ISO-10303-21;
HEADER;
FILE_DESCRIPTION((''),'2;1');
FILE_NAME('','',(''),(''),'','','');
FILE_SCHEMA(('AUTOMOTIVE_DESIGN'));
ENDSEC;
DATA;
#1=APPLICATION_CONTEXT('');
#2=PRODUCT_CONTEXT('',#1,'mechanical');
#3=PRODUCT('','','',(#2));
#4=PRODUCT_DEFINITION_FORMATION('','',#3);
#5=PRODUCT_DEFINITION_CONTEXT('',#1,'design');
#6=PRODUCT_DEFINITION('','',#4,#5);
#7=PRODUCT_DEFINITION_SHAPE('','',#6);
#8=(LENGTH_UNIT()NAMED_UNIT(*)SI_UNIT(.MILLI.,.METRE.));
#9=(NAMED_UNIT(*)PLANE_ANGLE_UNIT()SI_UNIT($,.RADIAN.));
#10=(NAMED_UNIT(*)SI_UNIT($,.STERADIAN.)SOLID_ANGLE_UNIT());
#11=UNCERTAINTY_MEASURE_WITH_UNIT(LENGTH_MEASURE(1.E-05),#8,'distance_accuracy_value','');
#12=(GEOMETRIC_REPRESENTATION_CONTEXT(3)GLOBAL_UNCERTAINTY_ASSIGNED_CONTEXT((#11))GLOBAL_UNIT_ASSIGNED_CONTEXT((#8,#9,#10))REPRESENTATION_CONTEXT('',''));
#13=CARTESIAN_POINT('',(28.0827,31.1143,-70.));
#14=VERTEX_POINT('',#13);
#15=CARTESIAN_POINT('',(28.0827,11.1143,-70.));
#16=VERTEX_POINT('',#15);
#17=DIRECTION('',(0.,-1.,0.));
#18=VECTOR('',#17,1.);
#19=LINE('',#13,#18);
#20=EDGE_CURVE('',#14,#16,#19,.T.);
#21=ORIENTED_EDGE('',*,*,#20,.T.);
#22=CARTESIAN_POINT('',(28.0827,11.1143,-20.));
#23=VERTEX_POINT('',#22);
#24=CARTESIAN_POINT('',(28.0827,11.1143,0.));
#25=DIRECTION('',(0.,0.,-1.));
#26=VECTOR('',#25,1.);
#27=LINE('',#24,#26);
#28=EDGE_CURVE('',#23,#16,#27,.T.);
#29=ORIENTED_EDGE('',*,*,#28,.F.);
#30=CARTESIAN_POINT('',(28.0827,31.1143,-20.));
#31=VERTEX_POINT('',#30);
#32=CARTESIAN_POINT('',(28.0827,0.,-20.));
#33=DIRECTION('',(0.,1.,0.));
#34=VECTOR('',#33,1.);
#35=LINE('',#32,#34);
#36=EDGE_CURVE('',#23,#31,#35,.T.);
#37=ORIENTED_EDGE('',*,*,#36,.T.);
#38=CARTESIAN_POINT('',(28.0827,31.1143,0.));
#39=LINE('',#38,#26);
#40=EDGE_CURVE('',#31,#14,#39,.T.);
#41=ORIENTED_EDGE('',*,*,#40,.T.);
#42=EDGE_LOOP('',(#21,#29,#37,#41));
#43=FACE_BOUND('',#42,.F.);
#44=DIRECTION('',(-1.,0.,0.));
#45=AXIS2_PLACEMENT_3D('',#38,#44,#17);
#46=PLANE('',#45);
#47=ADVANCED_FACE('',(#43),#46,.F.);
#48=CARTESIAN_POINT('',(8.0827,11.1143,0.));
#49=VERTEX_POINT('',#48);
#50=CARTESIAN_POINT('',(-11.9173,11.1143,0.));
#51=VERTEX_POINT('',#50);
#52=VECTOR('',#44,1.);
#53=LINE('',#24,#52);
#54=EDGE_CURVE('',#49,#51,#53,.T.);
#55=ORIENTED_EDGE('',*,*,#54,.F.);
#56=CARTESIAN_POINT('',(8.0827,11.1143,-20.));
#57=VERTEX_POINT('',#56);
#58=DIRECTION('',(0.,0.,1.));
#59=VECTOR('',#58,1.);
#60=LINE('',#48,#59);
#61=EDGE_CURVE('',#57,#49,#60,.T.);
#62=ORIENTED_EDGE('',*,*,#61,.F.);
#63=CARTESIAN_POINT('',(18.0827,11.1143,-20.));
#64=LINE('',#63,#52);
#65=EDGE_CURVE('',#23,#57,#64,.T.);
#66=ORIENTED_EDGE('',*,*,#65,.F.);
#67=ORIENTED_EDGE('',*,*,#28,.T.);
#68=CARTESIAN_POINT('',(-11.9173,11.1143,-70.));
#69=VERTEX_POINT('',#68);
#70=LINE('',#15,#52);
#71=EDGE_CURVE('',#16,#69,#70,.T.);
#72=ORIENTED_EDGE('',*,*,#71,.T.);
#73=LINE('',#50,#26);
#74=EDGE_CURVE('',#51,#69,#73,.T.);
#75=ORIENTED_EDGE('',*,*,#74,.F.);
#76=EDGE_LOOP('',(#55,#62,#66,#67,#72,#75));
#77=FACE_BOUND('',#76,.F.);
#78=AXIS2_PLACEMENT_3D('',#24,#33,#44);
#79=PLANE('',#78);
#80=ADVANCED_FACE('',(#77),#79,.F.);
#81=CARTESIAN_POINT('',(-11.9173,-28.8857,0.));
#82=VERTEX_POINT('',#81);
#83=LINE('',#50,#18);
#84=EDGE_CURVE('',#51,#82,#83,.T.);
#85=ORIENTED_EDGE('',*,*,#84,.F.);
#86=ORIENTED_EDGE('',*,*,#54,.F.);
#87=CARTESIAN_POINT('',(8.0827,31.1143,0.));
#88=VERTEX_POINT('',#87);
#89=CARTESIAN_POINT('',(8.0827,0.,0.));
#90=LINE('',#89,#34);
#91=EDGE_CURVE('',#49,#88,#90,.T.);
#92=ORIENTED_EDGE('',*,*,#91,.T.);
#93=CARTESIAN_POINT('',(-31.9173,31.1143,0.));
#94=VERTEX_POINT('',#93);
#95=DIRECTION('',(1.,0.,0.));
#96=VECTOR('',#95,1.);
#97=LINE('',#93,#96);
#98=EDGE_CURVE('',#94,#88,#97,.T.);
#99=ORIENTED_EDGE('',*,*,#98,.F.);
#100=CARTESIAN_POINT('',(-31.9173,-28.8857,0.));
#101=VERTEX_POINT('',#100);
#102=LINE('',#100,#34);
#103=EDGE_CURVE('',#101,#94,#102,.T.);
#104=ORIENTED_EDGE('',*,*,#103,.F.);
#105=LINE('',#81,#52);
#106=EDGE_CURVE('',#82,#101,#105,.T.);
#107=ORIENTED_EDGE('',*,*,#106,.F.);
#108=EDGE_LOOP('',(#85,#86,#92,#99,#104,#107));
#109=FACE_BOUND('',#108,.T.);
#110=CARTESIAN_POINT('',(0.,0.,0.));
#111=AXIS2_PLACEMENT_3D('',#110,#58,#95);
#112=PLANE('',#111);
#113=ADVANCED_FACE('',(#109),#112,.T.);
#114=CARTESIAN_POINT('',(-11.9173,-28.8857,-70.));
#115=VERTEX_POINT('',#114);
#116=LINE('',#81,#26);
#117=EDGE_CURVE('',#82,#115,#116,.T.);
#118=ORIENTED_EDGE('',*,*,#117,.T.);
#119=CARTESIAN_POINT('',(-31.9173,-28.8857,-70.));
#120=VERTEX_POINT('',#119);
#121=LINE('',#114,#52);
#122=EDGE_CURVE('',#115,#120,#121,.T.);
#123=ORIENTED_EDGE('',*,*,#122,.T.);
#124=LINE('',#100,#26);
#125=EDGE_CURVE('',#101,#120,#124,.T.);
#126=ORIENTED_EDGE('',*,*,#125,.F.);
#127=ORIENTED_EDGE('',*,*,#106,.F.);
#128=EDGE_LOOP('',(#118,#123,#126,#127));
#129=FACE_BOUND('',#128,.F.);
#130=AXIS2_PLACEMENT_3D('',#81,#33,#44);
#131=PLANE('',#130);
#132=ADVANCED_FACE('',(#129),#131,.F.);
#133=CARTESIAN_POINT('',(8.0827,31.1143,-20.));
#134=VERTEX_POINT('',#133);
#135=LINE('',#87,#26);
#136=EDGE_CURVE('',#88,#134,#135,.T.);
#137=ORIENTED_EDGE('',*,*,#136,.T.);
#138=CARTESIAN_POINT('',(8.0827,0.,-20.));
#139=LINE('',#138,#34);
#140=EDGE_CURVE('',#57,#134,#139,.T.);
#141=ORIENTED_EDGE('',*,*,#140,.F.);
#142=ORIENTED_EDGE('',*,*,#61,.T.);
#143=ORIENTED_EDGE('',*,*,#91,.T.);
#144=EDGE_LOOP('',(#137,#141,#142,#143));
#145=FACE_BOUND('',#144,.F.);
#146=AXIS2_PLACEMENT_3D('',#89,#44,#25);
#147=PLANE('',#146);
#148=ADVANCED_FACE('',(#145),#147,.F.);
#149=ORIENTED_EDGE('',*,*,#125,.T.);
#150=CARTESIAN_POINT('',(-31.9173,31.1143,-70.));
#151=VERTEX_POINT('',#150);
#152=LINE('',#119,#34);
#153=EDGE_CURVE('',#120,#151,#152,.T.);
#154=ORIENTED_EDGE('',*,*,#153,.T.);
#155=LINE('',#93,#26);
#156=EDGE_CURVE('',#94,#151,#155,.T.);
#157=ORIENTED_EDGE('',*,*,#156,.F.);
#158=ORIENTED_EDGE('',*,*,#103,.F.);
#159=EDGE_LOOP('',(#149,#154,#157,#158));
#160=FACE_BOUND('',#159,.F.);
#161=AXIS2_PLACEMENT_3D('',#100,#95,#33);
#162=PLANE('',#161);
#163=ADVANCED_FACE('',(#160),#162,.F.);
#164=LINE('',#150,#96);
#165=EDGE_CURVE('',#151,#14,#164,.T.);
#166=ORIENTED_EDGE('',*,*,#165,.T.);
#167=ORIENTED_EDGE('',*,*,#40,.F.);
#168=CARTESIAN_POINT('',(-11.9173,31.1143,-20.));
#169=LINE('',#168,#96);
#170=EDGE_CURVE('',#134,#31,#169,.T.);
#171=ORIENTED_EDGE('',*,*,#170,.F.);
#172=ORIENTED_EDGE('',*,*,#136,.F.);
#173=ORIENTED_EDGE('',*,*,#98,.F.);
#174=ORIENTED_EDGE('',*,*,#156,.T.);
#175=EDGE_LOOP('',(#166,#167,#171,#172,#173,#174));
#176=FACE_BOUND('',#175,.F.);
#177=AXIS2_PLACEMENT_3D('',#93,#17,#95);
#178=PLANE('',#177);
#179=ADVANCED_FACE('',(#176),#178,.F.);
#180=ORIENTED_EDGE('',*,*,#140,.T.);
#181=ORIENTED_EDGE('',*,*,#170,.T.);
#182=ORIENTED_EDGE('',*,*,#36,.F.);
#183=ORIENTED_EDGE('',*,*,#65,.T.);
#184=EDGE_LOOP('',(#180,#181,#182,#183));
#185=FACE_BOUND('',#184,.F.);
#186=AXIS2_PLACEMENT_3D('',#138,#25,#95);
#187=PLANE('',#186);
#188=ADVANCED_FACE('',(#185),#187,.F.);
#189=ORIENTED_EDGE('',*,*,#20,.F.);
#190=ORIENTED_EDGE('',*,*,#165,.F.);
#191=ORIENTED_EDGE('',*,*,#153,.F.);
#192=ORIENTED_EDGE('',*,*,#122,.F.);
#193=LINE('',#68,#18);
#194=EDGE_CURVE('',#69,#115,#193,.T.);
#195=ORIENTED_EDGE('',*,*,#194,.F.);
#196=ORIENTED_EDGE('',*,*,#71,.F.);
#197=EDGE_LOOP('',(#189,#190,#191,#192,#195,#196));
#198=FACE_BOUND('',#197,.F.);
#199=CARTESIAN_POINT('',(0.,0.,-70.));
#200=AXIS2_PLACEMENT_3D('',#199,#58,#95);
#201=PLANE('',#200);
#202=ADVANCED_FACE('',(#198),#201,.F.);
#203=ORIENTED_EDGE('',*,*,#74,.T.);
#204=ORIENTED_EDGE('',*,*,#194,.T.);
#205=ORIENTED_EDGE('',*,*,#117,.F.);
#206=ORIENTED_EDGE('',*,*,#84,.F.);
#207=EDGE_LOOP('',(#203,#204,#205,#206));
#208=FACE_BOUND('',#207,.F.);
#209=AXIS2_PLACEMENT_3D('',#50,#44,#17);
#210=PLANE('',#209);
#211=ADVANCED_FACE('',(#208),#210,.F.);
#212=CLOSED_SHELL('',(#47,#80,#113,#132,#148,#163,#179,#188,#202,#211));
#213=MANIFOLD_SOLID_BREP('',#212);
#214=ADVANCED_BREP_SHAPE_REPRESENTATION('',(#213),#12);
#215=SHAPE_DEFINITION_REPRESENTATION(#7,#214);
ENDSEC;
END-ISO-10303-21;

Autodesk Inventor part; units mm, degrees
ref_plane "YZ Plane" through (0, 0, 0) normal (1, 0, 0) x (0, 1, 0)
ref_plane "XZ Plane" through (0, 0, 0) normal (0, 1, 0) x (-1, 0, 0)
ref_plane "XY Plane" through (0, 0, 0) normal (0, 0, 1) x (1, 0, 0)
sketch "Sketch1" plane through (0, 0, 0) normal (0, 0, 1) x (1, 0, 0)
  line L0 (-31.9173, -28.8857) -> (-31.9173, 31.1143)
  line L1 (-31.9173, 31.1143) -> (28.0827, 31.1143)
  line L2 (28.0827, 31.1143) -> (28.0827, 11.1143)
  line L3 (28.0827, 11.1143) -> (-11.9173, 11.1143)
  line L4 (-11.9173, 11.1143) -> (-11.9173, -28.8857)
  line L5 (-11.9173, -28.8857) -> (-31.9173, -28.8857)
  point P0 (0, 0)
  dimension "d0" = 60
  dimension "d1" = 20
  dimension "d2" = 60
  dimension "d3" = 20
extrude "Extrusion1" add sketch "Sketch1" against normal blind 70
sketch "Sketch2" plane through (0, 0, 0) normal (0, 1, 0) x (-1, 0, 0)
  line L0 (-28.0827, 0) -> (31.9173, 0) projected
  line L1 (-28.0827, 0) -> (-8.0827, 0)
  line L2 (-8.0827, 0) -> (-8.0827, -20)
  line L3 (-8.0827, -20) -> (-28.0827, -20)
  line L4 (-28.0827, -20) -> (-28.0827, 0)
  point P0 (0, 0)
  dimension "d6" = 20
  dimension "d7" = 20
extrude "Extrusion2" cut sketch "Sketch2" along normal blind 70
properties part number "BT001_Winkel"
